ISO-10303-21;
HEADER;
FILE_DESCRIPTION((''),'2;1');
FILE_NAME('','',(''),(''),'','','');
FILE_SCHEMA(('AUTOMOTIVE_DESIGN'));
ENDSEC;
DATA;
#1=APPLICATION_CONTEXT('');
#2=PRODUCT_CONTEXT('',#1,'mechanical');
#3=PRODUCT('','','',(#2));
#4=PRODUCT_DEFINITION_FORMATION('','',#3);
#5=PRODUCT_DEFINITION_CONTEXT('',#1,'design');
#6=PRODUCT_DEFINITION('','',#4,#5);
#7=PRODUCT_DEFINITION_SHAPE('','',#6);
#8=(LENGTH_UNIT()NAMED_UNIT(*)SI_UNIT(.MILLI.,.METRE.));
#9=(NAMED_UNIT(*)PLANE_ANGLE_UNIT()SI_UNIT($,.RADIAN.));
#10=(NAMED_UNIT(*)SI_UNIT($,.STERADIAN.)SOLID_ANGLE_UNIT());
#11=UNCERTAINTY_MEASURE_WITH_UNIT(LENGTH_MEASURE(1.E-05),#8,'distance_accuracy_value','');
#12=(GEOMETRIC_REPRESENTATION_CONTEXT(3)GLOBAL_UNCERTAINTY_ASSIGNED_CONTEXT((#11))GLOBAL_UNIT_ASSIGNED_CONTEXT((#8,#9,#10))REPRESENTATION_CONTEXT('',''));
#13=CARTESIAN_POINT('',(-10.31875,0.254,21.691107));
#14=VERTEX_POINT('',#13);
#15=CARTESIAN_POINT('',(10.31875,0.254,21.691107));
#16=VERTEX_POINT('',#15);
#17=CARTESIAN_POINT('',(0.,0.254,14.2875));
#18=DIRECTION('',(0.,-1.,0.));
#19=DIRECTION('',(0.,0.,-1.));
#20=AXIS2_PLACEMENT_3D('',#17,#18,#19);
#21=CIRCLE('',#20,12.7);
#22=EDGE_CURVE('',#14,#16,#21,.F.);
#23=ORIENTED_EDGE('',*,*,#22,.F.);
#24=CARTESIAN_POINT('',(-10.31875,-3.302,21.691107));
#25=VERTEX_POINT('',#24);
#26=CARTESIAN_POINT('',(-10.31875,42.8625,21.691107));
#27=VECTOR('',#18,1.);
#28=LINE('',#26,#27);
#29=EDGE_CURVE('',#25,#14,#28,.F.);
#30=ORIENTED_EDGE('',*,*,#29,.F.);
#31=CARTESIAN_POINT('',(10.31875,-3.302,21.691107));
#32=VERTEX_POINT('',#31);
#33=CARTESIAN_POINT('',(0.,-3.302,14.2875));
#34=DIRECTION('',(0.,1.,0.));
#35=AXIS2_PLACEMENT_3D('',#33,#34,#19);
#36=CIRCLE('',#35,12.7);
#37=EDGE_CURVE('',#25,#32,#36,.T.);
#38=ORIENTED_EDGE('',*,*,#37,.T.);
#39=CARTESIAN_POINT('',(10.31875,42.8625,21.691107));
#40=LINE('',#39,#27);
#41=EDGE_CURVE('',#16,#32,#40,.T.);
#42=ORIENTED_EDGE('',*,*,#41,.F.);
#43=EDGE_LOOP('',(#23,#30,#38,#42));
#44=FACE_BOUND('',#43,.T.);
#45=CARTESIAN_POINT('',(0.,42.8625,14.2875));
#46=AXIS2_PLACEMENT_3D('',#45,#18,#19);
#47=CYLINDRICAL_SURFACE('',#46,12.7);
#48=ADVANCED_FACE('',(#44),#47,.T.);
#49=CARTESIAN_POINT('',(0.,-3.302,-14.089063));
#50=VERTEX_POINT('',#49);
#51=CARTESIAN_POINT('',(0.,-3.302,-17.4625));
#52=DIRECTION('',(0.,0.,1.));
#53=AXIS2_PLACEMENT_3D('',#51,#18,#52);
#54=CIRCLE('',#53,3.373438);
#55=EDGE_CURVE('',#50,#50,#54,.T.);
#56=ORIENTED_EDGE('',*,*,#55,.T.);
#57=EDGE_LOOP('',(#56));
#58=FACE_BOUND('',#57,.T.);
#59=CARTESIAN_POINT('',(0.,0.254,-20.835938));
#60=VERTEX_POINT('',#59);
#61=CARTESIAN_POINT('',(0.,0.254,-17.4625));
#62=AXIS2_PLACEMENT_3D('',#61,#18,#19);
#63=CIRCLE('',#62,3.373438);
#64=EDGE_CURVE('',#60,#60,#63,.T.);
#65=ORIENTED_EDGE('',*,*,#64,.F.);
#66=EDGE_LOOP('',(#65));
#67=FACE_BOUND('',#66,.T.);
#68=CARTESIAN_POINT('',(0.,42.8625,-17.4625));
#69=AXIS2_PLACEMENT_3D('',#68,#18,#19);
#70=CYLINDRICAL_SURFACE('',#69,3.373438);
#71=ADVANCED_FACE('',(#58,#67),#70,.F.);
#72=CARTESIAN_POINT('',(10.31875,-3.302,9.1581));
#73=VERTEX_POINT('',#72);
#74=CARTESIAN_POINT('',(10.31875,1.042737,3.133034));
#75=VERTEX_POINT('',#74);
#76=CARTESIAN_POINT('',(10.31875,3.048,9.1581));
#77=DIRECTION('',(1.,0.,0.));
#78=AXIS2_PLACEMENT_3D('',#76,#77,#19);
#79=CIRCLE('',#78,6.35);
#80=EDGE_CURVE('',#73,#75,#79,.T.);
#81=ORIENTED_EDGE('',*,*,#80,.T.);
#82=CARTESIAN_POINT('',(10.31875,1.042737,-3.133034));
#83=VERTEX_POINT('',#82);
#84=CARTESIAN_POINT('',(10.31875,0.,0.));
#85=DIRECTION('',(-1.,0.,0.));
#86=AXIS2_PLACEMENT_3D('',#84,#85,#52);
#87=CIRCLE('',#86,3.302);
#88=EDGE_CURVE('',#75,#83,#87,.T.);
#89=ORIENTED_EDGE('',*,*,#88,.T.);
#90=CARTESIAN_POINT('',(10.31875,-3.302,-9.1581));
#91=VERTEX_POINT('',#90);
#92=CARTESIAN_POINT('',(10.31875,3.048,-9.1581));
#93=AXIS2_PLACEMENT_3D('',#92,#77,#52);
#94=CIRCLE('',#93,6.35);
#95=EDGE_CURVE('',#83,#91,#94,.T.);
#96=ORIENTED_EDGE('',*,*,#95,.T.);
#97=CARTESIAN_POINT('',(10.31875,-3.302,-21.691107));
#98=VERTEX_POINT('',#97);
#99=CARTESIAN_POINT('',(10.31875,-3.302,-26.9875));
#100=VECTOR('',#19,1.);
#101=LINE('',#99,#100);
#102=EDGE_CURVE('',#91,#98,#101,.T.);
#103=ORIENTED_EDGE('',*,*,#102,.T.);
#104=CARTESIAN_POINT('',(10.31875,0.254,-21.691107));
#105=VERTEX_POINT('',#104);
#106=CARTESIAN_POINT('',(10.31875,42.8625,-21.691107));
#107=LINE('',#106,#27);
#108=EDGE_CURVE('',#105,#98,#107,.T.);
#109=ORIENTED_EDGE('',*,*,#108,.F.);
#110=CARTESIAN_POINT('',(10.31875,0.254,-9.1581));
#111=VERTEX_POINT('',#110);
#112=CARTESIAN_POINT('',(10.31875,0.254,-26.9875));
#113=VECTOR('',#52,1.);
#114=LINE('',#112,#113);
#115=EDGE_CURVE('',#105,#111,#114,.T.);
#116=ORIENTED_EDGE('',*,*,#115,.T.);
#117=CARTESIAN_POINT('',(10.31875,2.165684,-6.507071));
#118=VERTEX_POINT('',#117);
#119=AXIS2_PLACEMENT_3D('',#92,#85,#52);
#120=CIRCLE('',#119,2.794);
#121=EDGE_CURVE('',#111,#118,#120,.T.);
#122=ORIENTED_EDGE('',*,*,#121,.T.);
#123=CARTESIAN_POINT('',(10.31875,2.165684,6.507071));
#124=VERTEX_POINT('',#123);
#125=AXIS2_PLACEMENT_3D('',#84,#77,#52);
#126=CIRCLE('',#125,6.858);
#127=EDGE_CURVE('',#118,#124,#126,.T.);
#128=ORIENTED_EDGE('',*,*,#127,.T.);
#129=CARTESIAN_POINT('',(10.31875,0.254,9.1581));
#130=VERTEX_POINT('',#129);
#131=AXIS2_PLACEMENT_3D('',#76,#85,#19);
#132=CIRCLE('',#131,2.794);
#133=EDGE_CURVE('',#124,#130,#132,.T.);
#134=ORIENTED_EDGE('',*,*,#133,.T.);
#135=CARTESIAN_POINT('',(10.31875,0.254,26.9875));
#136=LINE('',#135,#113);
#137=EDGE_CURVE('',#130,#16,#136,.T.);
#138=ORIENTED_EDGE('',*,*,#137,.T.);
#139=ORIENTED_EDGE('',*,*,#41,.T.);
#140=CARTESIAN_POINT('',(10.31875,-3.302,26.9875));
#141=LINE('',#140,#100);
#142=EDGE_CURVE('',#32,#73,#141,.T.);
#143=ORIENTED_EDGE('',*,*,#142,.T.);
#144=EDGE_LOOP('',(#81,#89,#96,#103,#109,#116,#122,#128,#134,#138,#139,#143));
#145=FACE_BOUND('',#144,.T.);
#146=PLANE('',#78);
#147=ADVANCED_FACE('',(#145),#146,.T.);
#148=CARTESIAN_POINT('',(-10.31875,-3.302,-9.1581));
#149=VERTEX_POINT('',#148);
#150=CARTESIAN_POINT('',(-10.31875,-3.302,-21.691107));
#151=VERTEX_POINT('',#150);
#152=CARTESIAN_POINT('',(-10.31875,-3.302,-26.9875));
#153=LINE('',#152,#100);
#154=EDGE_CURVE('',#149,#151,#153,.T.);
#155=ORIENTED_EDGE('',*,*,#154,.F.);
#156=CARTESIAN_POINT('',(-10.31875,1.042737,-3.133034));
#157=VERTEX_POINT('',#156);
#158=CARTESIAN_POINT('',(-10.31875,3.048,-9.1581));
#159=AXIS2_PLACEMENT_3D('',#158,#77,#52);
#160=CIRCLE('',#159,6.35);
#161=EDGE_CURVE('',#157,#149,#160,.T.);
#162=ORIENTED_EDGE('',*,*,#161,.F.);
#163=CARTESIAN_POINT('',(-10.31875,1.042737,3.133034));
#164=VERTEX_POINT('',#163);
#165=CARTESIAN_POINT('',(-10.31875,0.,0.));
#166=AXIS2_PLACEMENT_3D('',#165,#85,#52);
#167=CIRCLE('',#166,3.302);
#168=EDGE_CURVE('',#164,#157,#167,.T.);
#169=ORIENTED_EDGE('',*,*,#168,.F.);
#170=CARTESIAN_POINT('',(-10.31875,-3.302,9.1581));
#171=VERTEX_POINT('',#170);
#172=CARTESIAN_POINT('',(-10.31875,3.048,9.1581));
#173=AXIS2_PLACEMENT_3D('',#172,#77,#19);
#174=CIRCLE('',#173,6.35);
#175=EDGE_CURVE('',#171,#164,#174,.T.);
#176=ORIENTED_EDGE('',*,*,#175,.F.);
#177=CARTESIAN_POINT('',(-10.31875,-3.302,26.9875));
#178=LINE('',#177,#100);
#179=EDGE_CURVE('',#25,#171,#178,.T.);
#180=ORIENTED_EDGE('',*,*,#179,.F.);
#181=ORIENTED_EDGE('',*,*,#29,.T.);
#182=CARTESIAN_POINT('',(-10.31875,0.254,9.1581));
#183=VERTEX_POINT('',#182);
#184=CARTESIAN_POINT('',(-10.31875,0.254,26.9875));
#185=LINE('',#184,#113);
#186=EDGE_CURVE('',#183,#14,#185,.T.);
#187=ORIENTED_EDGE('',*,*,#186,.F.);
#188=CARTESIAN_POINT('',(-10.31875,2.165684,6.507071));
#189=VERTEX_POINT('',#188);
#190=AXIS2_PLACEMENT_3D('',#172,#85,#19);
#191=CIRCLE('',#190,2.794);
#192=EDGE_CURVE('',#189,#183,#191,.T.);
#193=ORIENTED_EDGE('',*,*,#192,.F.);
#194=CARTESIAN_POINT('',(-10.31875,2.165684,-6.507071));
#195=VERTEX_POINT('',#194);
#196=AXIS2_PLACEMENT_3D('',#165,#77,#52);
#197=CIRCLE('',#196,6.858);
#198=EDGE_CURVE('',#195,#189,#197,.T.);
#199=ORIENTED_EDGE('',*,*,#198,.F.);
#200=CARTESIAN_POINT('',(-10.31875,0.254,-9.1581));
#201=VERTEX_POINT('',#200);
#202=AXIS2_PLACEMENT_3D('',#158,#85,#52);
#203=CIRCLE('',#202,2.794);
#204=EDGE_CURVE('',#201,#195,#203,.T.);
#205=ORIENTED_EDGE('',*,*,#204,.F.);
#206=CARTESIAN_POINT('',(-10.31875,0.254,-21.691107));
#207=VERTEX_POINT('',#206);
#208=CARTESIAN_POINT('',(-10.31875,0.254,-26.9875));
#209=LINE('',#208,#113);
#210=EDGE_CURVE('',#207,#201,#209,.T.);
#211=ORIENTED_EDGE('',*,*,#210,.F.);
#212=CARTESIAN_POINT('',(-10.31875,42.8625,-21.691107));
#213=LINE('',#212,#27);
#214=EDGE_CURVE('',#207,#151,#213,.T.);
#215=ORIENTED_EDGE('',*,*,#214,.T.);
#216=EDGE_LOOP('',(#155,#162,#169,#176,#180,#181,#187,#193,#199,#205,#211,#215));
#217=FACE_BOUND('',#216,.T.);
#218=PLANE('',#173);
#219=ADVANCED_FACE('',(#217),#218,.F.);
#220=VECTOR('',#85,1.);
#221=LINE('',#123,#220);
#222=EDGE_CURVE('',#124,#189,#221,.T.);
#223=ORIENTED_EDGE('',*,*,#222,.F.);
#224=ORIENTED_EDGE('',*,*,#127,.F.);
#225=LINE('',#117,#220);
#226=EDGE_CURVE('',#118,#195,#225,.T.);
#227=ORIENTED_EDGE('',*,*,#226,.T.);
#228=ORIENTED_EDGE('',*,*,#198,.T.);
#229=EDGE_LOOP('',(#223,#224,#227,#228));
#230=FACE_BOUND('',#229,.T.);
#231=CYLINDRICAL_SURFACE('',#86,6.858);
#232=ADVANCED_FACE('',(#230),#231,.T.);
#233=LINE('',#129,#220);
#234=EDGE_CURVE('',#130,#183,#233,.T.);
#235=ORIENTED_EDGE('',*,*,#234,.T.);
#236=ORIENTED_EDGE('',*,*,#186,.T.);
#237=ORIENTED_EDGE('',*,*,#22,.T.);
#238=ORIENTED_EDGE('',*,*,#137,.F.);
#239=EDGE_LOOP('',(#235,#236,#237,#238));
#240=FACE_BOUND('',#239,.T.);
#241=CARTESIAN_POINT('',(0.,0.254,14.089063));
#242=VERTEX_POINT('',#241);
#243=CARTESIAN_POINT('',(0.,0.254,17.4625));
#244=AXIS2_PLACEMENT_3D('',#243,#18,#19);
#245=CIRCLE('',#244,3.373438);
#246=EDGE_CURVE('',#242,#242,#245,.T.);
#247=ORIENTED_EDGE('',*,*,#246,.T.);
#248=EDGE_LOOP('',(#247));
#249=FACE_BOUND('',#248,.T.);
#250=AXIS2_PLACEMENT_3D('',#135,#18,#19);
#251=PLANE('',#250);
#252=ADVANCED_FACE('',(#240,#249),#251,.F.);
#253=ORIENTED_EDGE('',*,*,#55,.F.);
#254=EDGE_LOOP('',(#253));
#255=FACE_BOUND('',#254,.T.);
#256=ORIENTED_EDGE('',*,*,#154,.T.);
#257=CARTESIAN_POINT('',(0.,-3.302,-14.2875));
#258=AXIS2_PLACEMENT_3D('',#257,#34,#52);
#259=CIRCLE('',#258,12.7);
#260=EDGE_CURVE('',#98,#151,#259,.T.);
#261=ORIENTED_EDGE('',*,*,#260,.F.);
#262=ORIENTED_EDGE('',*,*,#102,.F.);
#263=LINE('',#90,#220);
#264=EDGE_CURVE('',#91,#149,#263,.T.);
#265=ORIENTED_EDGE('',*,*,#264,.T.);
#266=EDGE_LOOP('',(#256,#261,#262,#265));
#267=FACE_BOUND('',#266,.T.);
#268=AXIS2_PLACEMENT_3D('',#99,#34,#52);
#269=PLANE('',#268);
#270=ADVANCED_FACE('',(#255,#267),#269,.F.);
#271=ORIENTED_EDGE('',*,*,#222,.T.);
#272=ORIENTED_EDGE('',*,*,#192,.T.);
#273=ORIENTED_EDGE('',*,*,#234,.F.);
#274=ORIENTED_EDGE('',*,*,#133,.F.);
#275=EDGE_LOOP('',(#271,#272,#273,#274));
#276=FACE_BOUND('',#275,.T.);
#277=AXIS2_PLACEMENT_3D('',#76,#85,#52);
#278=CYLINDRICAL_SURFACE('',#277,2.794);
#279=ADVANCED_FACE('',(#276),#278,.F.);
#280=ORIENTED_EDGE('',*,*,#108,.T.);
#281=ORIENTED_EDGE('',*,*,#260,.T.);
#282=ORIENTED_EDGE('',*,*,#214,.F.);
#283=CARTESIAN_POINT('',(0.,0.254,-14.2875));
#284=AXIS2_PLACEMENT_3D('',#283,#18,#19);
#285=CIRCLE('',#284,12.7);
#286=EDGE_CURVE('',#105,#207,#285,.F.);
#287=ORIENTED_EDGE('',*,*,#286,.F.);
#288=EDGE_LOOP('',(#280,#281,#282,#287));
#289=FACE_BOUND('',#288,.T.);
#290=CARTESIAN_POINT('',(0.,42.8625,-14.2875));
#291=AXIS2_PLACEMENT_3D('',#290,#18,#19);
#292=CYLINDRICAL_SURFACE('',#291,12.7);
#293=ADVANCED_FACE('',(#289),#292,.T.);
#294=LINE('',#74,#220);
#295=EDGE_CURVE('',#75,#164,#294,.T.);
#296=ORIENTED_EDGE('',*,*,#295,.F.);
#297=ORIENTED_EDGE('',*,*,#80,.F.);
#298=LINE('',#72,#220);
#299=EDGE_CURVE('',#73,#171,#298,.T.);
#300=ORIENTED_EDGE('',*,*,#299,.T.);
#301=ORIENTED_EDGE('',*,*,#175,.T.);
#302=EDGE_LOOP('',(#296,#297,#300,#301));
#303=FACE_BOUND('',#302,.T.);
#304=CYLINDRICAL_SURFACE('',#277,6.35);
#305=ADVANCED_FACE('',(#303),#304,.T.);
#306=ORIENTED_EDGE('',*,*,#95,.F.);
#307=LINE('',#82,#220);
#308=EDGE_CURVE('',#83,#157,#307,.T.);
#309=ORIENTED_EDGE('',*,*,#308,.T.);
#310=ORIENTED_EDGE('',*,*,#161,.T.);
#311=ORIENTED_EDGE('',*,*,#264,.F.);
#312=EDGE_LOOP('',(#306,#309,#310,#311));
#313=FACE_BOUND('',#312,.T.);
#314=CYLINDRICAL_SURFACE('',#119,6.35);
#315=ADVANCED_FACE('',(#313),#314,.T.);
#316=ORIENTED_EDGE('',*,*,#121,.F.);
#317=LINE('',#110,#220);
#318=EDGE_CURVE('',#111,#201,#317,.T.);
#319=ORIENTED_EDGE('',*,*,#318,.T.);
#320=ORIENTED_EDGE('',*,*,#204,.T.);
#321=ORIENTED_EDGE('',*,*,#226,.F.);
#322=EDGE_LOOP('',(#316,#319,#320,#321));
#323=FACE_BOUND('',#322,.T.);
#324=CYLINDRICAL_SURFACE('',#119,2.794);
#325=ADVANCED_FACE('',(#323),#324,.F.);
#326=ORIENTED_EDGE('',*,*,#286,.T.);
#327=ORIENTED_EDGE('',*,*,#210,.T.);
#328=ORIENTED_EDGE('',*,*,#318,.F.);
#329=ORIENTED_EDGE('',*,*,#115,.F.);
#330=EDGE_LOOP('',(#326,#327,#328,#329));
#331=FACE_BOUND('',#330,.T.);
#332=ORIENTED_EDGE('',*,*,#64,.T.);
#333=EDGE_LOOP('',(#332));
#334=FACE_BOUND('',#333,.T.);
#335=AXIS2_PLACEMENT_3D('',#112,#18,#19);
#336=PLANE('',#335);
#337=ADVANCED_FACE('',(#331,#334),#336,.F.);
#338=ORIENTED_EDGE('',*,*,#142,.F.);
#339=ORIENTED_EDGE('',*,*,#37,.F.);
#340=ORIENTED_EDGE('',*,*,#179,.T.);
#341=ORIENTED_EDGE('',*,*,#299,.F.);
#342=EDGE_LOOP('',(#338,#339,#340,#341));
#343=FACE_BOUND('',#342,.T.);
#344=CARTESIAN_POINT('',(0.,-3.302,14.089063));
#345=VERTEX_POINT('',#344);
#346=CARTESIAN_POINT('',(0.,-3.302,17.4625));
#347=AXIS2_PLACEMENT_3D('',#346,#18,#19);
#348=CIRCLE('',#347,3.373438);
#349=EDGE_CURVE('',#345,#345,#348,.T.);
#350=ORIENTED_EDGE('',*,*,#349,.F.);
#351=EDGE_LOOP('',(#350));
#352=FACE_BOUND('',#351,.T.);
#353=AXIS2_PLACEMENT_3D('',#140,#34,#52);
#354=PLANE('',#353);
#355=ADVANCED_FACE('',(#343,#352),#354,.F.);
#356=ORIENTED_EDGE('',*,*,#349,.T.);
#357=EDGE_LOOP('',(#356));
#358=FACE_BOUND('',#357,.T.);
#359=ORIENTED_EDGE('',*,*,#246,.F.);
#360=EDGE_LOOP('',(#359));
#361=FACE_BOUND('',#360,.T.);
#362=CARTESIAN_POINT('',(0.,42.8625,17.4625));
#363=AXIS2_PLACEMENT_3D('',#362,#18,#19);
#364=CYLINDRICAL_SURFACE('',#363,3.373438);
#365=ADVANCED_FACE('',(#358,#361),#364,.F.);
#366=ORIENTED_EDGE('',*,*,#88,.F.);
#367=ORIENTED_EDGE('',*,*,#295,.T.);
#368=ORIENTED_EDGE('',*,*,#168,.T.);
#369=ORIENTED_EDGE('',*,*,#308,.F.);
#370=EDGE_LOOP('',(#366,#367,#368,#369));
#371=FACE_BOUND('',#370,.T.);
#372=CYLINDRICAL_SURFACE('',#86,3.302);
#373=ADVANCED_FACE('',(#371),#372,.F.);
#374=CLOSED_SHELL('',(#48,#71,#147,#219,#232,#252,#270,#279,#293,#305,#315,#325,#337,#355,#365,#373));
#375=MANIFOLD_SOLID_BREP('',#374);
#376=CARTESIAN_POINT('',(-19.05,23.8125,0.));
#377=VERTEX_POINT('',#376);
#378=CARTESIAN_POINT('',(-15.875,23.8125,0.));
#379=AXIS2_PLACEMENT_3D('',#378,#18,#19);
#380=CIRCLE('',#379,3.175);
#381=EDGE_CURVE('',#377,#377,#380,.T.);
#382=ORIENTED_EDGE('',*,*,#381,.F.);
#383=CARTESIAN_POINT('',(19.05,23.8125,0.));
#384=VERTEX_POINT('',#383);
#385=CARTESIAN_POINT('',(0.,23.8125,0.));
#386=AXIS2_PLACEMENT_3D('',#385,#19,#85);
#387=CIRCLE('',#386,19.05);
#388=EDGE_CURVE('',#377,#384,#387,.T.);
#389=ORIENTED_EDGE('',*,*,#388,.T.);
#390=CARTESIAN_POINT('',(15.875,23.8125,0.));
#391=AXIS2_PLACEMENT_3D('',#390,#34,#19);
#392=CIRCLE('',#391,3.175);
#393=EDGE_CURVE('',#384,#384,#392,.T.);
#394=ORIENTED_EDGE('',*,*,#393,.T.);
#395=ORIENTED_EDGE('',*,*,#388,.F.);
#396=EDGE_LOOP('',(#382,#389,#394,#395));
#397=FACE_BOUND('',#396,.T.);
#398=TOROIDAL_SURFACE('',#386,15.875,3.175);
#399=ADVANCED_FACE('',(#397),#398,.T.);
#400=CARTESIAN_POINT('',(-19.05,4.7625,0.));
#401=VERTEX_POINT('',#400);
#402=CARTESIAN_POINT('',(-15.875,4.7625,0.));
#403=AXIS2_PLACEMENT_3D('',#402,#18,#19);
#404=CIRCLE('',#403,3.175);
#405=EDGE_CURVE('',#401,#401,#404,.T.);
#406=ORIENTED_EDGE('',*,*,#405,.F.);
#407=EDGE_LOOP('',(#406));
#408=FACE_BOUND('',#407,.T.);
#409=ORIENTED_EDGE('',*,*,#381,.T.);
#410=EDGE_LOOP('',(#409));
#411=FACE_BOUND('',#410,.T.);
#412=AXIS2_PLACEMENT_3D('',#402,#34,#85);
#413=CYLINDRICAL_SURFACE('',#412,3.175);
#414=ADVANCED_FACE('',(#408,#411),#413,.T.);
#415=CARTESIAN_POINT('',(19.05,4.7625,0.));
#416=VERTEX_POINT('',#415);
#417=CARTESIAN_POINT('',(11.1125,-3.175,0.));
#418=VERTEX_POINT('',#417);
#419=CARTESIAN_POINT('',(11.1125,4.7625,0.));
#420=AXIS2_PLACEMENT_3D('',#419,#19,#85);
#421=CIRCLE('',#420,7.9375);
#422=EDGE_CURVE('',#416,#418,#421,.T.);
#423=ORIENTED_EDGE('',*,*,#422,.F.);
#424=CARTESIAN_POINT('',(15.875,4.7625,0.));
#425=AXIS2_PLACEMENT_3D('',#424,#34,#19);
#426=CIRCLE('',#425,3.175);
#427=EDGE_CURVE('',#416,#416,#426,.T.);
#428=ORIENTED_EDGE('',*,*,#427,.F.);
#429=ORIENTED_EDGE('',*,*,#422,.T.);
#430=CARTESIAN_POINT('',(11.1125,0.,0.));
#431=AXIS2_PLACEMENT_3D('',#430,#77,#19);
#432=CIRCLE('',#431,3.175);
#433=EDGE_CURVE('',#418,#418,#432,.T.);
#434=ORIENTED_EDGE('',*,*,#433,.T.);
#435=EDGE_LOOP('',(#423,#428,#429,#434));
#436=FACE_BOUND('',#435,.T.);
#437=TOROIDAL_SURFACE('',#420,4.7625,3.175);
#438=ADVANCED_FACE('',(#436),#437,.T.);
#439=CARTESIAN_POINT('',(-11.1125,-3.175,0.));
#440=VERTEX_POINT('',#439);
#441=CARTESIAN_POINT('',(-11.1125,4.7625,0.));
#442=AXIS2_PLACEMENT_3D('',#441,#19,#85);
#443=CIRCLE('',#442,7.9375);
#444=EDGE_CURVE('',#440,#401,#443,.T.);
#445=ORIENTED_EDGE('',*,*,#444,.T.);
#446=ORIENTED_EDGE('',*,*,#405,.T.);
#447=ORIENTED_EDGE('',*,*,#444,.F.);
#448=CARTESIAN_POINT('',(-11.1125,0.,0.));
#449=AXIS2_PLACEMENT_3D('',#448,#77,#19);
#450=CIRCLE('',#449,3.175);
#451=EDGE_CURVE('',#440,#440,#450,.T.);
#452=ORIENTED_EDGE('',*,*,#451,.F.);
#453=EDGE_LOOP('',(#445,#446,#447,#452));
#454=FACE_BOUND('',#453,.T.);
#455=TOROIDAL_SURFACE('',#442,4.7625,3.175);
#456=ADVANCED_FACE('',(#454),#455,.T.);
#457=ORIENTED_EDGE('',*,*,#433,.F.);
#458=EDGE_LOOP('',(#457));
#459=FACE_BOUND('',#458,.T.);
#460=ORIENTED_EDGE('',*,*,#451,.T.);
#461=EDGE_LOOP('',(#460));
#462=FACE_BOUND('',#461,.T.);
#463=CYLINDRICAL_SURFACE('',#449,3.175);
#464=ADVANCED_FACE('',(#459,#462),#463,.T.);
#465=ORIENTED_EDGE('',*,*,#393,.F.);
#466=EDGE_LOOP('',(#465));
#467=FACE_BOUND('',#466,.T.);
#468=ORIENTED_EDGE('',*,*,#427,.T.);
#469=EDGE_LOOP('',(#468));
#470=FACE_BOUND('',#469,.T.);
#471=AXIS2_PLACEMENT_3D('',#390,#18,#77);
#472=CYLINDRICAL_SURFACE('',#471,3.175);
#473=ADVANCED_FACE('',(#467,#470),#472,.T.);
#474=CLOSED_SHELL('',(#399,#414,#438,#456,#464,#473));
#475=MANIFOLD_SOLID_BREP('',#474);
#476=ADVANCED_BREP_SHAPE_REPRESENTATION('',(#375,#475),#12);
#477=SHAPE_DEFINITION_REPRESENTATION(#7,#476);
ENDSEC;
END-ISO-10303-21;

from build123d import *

# Parameters (mm, degrees)
SKETCH2_R           = 3.175
BOSS_EXTRUDE1_DEPTH = 10.31875
SKETCH4_R           = 3.3734375
CUT_EXTRUDE1_DEPTH  = 57.766087848


with BuildPart() as part:
    # Sweep1: sweep along a path in Sketch1
    with BuildLine(Plane.XY) as sweep1_path:
        Line((-15.875, 23.8125), (-15.875, 4.7625))
        ThreePointArc((-15.875, 4.7625), (-14.480096045, 1.394903955), (-11.1125, 0))
        Line((-11.1125, 0), (11.1125, 0))
        ThreePointArc((11.1125, 0), (14.480096045, 1.394903955), (15.875, 4.7625))
        Line((15.875, 4.7625), (15.875, 23.8125))
        ThreePointArc((15.875, 23.8125), (0, 39.6875), (-15.875, 23.8125))
    # Sketch2 → Sweep1 (sweep)
    with BuildSketch(Plane(origin=(0, 0, 0), x_dir=(0, 0, -1), z_dir=(1, 0, 0))):
        Circle(SKETCH2_R)
    sweep(path=sweep1_path.line)


with BuildPart() as body_2:
    # Sketch3 → Boss-Extrude1 (new, symmetric)
    with BuildSketch(Plane(origin=(0, 0, 0), x_dir=(0, 0, -1), z_dir=(1, 0, 0))):
        with BuildLine():
            Line((-26.9875, -3.302), (-26.9875, 0.254))
            Line((-26.9875, 0.254), (-9.15810024, 0.254))
            ThreePointArc((-9.15810024, 0.254), (-7.5238962, 0.781766747), (-6.507071223, 2.165684211))
            ThreePointArc((-6.507071223, 2.165684211), (0, 6.858), (6.507071223, 2.165684211))
            ThreePointArc((6.507071223, 2.165684211), (7.5238962, 0.781766747), (9.15810024, 0.254))
            Line((9.15810024, 0.254), (26.9875, 0.254))
            Line((26.9875, 0.254), (26.9875, -3.302))
            Line((26.9875, -3.302), (9.15810024, -3.302))
            ThreePointArc((9.15810024, -3.302), (5.44400015, -2.102530121), (3.133034293, 1.042736842))
            ThreePointArc((3.133034293, 1.042736842), (0, 3.302), (-3.133034293, 1.042736842))
            ThreePointArc((-3.133034293, 1.042736842), (-5.44400015, -2.102530121), (-9.15810024, -3.302))
            Line((-9.15810024, -3.302), (-26.9875, -3.302))
        make_face()
    extrude(amount=BOSS_EXTRUDE1_DEPTH, both=True)

    # Sketch4 → Cut-Extrude1 (cut, through all)
    with BuildSketch(Plane.XZ.offset(3.302)):
        with Locations(Location((0, 17.4625, 0), (0, 0, 270))):
            Circle(SKETCH4_R)
        with Locations(Location((0, -17.4625, 0), (0, 0, 270))):
            Circle(SKETCH4_R)
        with BuildLine():
            Line((-10.31875, 21.691107123), (-10.31875, 26.9875))
            Line((-10.31875, 26.9875), (-10.31875, 27.2415))
            Line((-10.31875, 27.2415), (10.31875, 27.2415))
            Line((10.31875, 27.2415), (10.31875, 26.9875))
            Line((10.31875, 26.9875), (10.31875, 21.691107123))
            ThreePointArc((10.31875, 21.691107123), (0, 26.9875), (-10.31875, 21.691107123))
        make_face()
        with BuildLine():
            Line((10.31875, -26.9875), (10.31875, -21.691107123))
            ThreePointArc((10.31875, -21.691107123), (0, -26.9875), (-10.31875, -21.691107123))
            Line((-10.31875, -21.691107123), (-10.31875, -26.9875))
            Line((-10.31875, -26.9875), (-10.31875, -27.2415))
            Line((-10.31875, -27.2415), (10.31875, -27.2415))
            Line((10.31875, -27.2415), (10.31875, -26.9875))
        make_face()
    extrude(amount=-CUT_EXTRUDE1_DEPTH, mode=Mode.SUBTRACT)


solid = Compound([part.part, body_2.part])
